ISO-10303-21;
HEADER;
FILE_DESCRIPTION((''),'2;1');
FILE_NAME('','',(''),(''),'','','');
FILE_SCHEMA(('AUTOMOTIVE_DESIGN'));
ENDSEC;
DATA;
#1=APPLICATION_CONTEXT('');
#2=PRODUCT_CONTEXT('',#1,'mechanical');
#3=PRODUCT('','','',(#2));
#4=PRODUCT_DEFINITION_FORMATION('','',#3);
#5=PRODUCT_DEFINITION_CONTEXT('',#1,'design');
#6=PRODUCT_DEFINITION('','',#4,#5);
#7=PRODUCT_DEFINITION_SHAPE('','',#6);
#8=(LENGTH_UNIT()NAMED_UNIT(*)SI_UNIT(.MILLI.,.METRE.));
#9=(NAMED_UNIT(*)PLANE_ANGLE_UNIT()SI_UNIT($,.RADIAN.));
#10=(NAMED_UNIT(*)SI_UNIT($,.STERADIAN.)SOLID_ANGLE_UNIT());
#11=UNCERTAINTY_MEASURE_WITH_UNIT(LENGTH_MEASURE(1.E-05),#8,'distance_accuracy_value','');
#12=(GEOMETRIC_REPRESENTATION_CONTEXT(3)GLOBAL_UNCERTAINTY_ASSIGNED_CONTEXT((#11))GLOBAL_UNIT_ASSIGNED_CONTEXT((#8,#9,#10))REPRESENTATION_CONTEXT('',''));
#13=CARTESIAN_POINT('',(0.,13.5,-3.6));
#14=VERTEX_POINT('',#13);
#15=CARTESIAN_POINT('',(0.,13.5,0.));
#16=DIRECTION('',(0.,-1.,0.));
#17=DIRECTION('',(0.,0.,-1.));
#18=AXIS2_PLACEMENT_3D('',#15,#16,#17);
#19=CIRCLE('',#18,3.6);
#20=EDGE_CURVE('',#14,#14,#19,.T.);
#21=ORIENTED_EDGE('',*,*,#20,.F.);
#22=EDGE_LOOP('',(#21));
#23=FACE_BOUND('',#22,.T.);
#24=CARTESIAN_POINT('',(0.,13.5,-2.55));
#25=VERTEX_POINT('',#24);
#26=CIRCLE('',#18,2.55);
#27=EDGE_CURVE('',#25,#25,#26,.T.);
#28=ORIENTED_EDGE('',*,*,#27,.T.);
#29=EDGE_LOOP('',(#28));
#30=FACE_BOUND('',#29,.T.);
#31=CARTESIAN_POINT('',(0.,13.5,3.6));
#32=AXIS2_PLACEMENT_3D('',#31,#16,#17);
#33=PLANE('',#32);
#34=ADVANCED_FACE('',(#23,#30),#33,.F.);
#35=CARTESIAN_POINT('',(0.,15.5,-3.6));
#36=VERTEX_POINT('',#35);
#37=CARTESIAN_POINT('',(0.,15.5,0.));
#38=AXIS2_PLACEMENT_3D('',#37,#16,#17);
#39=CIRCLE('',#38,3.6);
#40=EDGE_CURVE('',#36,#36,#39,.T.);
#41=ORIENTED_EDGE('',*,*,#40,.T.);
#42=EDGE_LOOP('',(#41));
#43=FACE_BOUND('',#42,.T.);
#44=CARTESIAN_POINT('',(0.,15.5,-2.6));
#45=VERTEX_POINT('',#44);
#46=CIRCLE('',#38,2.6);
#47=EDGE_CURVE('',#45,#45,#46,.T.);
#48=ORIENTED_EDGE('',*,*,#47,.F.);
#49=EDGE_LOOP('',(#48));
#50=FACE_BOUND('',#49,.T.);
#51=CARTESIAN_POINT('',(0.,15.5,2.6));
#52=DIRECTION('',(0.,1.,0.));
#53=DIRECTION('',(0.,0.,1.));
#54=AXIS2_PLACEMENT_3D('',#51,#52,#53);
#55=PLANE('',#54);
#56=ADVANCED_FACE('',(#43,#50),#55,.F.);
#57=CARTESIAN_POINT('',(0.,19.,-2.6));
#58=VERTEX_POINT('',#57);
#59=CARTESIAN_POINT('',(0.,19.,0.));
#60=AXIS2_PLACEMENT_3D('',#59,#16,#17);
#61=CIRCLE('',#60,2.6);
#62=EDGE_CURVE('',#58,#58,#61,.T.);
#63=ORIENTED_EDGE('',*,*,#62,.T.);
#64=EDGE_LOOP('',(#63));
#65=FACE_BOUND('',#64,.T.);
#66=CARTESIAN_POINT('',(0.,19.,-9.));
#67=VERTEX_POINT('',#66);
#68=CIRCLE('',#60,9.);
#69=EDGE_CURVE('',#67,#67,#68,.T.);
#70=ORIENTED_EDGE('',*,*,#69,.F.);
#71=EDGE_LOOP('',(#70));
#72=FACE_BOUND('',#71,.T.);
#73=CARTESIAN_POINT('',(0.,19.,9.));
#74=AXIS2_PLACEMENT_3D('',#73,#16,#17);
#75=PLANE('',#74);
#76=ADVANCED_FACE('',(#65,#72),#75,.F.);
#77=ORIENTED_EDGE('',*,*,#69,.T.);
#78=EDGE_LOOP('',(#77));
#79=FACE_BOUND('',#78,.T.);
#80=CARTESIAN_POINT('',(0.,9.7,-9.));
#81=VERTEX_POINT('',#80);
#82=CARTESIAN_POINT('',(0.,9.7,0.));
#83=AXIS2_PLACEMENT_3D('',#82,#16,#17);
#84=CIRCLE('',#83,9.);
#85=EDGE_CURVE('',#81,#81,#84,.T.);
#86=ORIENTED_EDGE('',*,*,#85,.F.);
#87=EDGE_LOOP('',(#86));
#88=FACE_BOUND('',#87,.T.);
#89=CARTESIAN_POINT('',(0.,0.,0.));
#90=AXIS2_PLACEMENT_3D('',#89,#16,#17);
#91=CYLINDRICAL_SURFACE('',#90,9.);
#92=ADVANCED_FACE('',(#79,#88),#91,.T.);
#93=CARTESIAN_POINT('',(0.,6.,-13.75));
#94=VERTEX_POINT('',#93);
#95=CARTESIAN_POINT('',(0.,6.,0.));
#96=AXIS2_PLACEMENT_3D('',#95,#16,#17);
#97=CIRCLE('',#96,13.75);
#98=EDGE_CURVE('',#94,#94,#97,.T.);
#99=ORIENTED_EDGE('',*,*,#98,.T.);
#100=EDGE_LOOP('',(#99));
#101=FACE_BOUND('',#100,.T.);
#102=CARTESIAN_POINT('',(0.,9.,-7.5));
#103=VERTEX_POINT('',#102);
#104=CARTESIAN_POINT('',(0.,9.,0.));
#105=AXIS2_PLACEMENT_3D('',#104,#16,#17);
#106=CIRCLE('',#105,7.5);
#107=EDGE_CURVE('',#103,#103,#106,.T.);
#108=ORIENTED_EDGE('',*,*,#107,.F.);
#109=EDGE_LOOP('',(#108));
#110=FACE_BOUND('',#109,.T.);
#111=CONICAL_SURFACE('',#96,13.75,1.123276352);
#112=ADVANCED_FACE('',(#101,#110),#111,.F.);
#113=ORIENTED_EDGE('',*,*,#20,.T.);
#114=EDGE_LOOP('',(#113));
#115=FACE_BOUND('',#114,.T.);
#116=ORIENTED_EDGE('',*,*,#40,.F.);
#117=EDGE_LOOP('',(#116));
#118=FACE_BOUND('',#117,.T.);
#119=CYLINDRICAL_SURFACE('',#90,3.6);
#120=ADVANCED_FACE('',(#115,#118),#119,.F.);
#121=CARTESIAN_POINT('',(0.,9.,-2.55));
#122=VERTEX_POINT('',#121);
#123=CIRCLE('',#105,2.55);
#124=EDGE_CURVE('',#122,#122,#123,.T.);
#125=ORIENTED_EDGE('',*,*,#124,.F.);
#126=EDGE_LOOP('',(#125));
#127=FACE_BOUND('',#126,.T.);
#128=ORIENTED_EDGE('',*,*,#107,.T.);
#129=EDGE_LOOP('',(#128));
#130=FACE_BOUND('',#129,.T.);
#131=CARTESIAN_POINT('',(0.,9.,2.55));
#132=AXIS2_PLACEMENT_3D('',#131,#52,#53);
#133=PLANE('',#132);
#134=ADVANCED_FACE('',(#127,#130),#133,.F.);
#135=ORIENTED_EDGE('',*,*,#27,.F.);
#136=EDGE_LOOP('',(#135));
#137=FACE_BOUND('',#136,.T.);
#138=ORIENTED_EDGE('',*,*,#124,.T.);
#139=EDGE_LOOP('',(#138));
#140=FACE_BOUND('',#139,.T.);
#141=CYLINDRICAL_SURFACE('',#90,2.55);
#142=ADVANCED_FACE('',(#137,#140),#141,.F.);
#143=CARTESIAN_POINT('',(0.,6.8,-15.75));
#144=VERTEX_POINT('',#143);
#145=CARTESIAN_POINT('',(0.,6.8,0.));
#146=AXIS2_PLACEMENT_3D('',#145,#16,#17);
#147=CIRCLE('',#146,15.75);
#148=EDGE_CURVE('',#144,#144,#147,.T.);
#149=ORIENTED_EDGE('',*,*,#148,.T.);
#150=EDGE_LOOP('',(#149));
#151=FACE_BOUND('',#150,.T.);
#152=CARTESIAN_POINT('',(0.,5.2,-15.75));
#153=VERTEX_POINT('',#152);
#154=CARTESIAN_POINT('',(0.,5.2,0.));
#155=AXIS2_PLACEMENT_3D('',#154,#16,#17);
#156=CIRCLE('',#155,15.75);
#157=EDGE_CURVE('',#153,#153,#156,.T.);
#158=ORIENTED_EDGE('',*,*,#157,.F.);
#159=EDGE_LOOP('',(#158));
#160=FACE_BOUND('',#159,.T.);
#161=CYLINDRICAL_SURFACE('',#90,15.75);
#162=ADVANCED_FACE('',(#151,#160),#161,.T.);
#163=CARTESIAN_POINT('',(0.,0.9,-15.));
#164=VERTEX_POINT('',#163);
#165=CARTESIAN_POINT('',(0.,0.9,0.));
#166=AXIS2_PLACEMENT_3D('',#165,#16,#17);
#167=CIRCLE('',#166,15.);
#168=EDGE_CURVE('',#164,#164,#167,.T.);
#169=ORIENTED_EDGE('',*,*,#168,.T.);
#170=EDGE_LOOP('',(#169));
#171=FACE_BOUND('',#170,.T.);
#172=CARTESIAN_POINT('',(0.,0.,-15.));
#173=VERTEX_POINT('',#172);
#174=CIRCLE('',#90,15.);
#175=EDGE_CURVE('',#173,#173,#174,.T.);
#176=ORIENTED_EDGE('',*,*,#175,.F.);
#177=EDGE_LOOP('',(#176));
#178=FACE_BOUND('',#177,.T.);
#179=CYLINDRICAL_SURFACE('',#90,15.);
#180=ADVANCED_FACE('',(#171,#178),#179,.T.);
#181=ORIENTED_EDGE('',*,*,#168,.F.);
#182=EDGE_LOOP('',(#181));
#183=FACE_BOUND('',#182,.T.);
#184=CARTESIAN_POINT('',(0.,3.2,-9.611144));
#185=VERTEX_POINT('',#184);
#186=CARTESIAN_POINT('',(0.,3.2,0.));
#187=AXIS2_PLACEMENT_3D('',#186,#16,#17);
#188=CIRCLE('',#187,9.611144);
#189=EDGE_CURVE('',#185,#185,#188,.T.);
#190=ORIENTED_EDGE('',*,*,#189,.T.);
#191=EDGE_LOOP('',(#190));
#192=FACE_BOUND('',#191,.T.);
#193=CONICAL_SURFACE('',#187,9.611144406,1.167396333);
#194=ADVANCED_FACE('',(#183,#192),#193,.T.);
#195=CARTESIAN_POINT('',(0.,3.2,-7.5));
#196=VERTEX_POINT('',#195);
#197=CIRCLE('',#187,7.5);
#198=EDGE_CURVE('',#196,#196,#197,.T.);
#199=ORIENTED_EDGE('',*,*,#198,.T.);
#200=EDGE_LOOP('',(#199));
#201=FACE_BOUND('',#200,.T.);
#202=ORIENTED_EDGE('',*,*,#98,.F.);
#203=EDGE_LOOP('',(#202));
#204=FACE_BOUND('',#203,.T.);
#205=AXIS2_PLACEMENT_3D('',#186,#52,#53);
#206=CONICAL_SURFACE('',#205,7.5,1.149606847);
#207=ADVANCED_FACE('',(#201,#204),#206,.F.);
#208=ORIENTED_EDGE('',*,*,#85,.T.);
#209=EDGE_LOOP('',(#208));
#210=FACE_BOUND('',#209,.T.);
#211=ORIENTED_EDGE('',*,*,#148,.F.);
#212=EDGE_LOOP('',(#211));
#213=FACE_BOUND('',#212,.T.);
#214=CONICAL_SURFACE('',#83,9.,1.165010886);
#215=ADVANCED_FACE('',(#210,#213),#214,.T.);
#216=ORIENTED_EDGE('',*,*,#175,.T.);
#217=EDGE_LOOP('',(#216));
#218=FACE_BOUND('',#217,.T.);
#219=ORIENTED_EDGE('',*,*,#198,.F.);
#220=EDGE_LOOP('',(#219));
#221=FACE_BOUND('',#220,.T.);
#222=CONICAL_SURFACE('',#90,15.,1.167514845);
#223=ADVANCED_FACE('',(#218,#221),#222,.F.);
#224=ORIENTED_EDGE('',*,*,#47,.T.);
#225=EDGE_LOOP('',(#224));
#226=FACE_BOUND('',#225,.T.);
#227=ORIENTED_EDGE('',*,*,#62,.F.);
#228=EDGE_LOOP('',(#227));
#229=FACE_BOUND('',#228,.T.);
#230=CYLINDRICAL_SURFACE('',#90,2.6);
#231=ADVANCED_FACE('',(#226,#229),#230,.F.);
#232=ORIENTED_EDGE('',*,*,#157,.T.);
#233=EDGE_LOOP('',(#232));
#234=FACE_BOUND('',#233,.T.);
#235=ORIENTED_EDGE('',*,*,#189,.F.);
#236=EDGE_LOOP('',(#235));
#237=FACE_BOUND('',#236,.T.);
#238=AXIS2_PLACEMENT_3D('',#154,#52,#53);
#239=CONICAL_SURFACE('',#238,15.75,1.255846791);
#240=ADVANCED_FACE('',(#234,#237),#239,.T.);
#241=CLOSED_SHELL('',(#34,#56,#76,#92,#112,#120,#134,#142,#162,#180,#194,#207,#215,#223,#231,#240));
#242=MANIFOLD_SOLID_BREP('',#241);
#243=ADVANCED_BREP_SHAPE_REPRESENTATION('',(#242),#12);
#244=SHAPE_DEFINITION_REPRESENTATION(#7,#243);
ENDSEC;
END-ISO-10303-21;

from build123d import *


with BuildPart() as part:
    # Esquisse1 → Révolution1 (revolve)
    with BuildSketch(Plane(origin=(0, 0, 0), x_dir=(0, 0, -1), z_dir=(1, 0, 0)), mode=Mode.PRIVATE) as r_volution1_sk:
        Polygon((-2.6, 19), (-2.6, 15.5), (-3.6, 15.5), (-3.6, 13.5), (-2.55, 13.5), (-2.55, 9), (-7.5, 9), (-13.75, 6), (-7.5, 3.2), (-15, 0), (-15, 0.9), (-9.611144406, 3.2), (-15.75, 5.2), (-15.75, 6.8), (-9, 9.7), (-9, 19), align=None)
    revolve(r_volution1_sk.sketch.rotate(Axis((0, 0, 0), (0, 1, 0)), 180), axis=Axis((0, 0, 0), (0, 1, 0)))


solid = part.part
